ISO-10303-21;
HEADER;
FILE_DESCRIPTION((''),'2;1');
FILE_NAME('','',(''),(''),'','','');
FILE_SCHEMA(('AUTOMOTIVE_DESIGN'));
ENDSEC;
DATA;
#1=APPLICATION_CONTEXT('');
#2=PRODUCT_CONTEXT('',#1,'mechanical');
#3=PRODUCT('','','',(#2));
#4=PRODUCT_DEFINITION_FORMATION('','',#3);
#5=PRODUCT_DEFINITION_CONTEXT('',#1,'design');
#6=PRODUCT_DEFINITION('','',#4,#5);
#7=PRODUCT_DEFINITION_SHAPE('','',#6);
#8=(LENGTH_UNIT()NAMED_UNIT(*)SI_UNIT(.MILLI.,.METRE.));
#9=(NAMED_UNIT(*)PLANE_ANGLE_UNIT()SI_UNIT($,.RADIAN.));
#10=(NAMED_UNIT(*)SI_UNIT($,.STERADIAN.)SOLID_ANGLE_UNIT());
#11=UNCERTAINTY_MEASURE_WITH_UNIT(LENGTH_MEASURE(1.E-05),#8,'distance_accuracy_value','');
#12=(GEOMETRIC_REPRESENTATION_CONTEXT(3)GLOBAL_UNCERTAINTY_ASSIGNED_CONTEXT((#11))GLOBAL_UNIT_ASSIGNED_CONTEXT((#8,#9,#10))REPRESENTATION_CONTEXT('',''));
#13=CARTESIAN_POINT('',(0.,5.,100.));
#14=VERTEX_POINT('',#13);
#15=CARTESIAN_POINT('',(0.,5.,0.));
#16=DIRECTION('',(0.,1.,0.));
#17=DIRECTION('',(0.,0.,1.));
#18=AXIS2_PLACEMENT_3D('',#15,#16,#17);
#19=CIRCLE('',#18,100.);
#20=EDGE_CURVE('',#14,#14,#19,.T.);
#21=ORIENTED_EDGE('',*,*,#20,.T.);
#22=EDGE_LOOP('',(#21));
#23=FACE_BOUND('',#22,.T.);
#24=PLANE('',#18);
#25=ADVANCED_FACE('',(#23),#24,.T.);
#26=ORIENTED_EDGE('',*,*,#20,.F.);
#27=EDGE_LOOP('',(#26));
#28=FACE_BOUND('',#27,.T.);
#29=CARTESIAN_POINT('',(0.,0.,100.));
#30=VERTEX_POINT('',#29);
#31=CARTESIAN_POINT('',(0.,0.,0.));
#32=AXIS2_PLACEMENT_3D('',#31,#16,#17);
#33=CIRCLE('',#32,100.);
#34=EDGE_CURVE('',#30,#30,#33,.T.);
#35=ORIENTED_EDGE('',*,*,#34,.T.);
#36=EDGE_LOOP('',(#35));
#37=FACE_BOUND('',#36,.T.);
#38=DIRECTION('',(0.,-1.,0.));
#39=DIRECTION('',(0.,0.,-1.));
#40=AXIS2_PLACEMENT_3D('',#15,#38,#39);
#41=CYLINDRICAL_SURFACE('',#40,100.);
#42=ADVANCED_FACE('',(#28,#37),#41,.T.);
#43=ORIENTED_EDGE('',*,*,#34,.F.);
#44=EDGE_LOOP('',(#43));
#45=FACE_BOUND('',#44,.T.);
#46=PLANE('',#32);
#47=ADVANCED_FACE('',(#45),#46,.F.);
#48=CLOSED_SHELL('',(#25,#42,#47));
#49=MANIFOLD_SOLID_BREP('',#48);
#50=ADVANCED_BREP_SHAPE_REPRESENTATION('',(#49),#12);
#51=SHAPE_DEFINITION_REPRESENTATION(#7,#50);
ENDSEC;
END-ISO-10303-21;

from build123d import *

# Parameters (mm, degrees)
SKETCH1_R           = 100
BOSS_EXTRUDE1_DEPTH = 5


with BuildPart() as part:
    # Sketch1 → Boss-Extrude1 (new body)
    with BuildSketch(Plane(origin=(0, 0, 0), x_dir=(1, 0, 0), z_dir=(0, 1, 0))):
        with Locations(Location((0, 0, 0), (0, 0, 270))):
            Circle(SKETCH1_R)
    extrude(amount=BOSS_EXTRUDE1_DEPTH)


solid = part.part
